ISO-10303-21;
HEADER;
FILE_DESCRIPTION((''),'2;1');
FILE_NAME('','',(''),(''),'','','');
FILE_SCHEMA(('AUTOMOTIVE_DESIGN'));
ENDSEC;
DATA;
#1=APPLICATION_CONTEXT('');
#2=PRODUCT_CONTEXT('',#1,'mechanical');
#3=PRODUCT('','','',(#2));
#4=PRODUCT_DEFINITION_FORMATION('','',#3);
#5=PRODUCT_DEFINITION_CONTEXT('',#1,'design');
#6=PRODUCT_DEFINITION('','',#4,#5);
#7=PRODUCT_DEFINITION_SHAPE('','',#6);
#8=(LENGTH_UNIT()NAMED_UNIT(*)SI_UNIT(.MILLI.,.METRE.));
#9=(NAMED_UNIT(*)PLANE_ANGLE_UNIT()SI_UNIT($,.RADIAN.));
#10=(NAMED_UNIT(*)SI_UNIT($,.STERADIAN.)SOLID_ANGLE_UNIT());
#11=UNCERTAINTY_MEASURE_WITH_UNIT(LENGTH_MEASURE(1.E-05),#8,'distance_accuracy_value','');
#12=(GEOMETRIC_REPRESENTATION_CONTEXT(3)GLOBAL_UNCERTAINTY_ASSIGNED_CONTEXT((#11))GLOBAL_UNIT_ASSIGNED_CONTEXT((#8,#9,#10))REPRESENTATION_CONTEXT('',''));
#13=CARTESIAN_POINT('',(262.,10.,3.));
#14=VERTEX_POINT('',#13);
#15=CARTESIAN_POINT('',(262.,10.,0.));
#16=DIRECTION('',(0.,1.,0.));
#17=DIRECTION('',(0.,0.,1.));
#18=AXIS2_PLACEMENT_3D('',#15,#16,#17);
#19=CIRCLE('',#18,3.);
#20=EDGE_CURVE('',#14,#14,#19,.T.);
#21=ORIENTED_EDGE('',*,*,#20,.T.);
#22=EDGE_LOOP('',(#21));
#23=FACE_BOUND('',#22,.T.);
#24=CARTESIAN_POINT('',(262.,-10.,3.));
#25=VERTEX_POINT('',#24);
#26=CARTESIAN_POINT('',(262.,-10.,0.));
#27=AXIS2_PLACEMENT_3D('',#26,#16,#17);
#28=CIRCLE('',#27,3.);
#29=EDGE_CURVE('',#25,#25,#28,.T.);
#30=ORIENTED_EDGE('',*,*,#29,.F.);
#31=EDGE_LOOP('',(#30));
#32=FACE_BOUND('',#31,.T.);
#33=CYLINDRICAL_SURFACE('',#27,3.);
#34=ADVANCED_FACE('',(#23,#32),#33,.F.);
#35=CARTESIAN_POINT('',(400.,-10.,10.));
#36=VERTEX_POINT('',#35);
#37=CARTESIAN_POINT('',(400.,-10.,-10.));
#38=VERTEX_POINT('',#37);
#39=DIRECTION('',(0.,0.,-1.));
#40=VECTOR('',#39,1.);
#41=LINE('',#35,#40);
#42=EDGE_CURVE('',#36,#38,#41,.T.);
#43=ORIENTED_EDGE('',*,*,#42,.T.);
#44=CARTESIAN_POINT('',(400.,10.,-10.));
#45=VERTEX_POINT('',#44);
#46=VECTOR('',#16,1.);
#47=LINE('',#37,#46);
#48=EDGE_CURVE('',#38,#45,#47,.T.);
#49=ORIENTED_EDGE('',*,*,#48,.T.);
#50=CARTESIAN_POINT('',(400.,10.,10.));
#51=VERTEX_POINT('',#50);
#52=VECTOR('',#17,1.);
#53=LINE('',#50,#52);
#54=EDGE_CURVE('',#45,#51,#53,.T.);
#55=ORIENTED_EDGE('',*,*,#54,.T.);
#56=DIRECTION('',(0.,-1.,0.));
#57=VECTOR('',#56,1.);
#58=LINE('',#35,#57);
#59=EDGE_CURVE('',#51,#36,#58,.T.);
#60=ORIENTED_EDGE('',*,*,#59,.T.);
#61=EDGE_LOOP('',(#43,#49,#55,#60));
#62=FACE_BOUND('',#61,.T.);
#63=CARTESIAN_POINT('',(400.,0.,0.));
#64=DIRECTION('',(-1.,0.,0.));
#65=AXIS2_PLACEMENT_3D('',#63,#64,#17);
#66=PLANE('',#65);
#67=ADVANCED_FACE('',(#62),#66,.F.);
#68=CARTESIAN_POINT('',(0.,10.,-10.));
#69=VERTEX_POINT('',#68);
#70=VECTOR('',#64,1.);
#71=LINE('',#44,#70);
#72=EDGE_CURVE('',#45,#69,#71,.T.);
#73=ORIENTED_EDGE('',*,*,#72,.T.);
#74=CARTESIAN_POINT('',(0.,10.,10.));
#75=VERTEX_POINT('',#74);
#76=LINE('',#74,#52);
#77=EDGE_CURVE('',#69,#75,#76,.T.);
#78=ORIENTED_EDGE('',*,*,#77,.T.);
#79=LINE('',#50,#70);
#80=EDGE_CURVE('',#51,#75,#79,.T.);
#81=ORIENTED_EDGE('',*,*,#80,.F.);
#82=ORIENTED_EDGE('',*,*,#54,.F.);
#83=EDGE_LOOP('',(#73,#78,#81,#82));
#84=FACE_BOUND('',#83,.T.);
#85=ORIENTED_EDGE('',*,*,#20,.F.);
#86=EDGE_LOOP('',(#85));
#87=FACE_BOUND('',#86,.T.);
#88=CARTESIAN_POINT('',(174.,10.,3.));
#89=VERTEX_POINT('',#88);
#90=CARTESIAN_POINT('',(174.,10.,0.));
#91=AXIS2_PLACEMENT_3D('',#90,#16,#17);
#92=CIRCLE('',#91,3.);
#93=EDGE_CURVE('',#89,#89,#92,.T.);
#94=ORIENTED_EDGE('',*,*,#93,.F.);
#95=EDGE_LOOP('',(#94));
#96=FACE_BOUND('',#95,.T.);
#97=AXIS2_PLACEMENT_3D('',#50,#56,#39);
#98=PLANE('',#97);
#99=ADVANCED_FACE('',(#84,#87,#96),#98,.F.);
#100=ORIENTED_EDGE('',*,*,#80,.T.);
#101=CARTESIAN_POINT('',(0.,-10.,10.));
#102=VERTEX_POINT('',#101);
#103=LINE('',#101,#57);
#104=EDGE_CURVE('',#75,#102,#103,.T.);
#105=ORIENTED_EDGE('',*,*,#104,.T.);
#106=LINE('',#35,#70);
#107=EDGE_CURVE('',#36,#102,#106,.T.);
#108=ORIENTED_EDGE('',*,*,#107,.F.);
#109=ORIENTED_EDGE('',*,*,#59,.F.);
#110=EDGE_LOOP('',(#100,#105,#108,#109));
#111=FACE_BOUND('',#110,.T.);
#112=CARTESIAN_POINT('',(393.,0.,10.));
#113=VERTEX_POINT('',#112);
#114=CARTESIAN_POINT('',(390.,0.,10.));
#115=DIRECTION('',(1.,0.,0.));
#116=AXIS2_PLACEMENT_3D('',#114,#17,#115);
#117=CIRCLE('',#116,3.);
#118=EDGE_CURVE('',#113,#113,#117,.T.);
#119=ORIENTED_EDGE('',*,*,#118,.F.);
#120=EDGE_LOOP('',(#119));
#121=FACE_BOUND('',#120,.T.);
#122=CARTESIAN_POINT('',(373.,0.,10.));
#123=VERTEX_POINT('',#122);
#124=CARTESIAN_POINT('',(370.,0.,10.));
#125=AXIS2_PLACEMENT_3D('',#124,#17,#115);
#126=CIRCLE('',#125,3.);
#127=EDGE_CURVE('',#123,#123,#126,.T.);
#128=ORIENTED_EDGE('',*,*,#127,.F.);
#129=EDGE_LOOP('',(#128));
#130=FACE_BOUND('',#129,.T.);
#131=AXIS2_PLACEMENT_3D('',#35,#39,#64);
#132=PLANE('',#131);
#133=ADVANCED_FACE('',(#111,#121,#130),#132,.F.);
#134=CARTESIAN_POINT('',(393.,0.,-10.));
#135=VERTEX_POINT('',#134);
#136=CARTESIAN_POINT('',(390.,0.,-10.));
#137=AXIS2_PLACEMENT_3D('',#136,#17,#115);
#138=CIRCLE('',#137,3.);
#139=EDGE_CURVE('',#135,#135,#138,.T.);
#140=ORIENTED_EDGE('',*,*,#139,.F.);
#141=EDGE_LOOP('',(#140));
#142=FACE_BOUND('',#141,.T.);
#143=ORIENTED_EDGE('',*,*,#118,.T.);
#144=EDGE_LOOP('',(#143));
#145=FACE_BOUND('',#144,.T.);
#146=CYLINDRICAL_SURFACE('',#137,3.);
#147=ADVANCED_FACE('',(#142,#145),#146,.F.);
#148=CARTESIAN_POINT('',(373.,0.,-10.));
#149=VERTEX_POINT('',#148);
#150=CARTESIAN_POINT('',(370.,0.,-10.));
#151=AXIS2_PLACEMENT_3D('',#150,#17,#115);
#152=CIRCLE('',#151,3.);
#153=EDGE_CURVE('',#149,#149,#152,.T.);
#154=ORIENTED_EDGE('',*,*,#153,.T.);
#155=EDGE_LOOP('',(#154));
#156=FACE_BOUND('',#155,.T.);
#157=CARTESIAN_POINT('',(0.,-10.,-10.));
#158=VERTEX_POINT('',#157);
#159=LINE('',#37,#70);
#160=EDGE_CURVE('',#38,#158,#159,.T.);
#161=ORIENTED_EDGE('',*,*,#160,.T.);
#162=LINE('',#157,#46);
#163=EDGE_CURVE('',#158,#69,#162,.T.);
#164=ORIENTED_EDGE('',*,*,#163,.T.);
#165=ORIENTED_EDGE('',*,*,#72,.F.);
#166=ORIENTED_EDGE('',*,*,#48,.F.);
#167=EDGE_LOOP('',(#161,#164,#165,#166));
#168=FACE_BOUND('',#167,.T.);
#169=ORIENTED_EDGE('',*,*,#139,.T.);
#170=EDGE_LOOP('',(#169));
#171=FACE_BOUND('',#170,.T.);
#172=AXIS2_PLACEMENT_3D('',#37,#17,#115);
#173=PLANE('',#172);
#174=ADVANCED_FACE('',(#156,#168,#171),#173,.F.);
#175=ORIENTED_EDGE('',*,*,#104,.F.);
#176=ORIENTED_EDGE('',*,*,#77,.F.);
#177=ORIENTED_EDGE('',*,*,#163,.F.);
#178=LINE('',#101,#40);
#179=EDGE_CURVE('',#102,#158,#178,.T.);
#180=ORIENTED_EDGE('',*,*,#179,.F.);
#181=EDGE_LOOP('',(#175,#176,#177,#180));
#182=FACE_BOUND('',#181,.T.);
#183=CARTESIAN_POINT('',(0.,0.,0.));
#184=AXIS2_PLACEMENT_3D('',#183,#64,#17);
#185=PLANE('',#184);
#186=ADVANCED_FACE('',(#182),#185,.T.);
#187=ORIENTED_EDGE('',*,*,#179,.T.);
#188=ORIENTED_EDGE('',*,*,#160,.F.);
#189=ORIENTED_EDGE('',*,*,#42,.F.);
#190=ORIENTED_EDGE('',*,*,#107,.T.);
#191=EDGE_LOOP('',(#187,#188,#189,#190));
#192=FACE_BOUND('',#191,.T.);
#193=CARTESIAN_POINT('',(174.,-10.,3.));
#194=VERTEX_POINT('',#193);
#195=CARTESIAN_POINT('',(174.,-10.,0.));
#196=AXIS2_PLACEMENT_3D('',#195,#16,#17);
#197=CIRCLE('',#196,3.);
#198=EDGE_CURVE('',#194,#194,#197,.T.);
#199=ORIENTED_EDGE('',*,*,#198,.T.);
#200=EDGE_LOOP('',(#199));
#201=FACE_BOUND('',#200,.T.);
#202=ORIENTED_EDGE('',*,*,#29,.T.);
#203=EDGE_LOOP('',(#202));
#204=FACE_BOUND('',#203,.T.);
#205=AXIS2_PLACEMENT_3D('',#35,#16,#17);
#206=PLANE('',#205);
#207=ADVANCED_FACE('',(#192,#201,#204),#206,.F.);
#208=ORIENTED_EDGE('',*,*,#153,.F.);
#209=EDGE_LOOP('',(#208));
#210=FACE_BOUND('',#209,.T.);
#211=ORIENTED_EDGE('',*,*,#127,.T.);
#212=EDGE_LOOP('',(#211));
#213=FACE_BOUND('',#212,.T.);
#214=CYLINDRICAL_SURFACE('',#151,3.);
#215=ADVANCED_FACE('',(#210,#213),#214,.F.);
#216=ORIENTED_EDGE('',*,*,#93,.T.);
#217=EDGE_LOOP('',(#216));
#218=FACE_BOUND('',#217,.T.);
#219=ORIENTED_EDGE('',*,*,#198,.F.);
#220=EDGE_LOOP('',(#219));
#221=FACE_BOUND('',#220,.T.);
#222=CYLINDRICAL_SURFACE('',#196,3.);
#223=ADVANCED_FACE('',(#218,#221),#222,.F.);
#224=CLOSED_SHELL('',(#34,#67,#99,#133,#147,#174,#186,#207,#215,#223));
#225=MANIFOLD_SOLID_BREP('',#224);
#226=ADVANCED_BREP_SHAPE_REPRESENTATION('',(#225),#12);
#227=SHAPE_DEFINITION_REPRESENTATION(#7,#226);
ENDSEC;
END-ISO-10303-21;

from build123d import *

# Parameters (mm, degrees)
SKIZZE1_W                       = 20
SKIZZE1_H                       = 20
AUFSATZ_LINEAR_AUSTRAGEN1_DEPTH = 400
SKIZZE2_R                       = 3
SCHNITT_LINEAR_AUSTRAGEN1_DEPTH = 401.62451248
SKETCH1_R                       = 3
EXTRUDE1_DEPTH                  = 401.62451248


with BuildPart() as part:
    # Skizze1 → Aufsatz-Linear austragen1 (new body)
    with BuildSketch(Plane(origin=(0, 0, 0), x_dir=(0, 0, -1), z_dir=(1, 0, 0))):
        Rectangle(SKIZZE1_W, SKIZZE1_H)
    extrude(amount=AUFSATZ_LINEAR_AUSTRAGEN1_DEPTH)

    # Skizze2 → Schnitt-Linear austragen1 (cut, through all)
    with BuildSketch(Plane(origin=(0, 10, 0), x_dir=(1, 0, 0), z_dir=(0, 1, 0))):
        with Locations(Location((174, 0, 0), (0, 0, 270))):
            Circle(SKIZZE2_R)
        with Locations(Location((262, 0, 0), (0, 0, 270))):
            Circle(SKIZZE2_R)
    extrude(amount=-SCHNITT_LINEAR_AUSTRAGEN1_DEPTH, mode=Mode.SUBTRACT)

    # Sketch1 → Extrude1 (cut, through all)
    with BuildSketch(Plane.XY.offset(10)):
        with Locations((390, 0)):
            Circle(SKETCH1_R)
        with Locations((370, 0)):
            Circle(SKETCH1_R)
    extrude(amount=-EXTRUDE1_DEPTH, mode=Mode.SUBTRACT)


solid = part.part
